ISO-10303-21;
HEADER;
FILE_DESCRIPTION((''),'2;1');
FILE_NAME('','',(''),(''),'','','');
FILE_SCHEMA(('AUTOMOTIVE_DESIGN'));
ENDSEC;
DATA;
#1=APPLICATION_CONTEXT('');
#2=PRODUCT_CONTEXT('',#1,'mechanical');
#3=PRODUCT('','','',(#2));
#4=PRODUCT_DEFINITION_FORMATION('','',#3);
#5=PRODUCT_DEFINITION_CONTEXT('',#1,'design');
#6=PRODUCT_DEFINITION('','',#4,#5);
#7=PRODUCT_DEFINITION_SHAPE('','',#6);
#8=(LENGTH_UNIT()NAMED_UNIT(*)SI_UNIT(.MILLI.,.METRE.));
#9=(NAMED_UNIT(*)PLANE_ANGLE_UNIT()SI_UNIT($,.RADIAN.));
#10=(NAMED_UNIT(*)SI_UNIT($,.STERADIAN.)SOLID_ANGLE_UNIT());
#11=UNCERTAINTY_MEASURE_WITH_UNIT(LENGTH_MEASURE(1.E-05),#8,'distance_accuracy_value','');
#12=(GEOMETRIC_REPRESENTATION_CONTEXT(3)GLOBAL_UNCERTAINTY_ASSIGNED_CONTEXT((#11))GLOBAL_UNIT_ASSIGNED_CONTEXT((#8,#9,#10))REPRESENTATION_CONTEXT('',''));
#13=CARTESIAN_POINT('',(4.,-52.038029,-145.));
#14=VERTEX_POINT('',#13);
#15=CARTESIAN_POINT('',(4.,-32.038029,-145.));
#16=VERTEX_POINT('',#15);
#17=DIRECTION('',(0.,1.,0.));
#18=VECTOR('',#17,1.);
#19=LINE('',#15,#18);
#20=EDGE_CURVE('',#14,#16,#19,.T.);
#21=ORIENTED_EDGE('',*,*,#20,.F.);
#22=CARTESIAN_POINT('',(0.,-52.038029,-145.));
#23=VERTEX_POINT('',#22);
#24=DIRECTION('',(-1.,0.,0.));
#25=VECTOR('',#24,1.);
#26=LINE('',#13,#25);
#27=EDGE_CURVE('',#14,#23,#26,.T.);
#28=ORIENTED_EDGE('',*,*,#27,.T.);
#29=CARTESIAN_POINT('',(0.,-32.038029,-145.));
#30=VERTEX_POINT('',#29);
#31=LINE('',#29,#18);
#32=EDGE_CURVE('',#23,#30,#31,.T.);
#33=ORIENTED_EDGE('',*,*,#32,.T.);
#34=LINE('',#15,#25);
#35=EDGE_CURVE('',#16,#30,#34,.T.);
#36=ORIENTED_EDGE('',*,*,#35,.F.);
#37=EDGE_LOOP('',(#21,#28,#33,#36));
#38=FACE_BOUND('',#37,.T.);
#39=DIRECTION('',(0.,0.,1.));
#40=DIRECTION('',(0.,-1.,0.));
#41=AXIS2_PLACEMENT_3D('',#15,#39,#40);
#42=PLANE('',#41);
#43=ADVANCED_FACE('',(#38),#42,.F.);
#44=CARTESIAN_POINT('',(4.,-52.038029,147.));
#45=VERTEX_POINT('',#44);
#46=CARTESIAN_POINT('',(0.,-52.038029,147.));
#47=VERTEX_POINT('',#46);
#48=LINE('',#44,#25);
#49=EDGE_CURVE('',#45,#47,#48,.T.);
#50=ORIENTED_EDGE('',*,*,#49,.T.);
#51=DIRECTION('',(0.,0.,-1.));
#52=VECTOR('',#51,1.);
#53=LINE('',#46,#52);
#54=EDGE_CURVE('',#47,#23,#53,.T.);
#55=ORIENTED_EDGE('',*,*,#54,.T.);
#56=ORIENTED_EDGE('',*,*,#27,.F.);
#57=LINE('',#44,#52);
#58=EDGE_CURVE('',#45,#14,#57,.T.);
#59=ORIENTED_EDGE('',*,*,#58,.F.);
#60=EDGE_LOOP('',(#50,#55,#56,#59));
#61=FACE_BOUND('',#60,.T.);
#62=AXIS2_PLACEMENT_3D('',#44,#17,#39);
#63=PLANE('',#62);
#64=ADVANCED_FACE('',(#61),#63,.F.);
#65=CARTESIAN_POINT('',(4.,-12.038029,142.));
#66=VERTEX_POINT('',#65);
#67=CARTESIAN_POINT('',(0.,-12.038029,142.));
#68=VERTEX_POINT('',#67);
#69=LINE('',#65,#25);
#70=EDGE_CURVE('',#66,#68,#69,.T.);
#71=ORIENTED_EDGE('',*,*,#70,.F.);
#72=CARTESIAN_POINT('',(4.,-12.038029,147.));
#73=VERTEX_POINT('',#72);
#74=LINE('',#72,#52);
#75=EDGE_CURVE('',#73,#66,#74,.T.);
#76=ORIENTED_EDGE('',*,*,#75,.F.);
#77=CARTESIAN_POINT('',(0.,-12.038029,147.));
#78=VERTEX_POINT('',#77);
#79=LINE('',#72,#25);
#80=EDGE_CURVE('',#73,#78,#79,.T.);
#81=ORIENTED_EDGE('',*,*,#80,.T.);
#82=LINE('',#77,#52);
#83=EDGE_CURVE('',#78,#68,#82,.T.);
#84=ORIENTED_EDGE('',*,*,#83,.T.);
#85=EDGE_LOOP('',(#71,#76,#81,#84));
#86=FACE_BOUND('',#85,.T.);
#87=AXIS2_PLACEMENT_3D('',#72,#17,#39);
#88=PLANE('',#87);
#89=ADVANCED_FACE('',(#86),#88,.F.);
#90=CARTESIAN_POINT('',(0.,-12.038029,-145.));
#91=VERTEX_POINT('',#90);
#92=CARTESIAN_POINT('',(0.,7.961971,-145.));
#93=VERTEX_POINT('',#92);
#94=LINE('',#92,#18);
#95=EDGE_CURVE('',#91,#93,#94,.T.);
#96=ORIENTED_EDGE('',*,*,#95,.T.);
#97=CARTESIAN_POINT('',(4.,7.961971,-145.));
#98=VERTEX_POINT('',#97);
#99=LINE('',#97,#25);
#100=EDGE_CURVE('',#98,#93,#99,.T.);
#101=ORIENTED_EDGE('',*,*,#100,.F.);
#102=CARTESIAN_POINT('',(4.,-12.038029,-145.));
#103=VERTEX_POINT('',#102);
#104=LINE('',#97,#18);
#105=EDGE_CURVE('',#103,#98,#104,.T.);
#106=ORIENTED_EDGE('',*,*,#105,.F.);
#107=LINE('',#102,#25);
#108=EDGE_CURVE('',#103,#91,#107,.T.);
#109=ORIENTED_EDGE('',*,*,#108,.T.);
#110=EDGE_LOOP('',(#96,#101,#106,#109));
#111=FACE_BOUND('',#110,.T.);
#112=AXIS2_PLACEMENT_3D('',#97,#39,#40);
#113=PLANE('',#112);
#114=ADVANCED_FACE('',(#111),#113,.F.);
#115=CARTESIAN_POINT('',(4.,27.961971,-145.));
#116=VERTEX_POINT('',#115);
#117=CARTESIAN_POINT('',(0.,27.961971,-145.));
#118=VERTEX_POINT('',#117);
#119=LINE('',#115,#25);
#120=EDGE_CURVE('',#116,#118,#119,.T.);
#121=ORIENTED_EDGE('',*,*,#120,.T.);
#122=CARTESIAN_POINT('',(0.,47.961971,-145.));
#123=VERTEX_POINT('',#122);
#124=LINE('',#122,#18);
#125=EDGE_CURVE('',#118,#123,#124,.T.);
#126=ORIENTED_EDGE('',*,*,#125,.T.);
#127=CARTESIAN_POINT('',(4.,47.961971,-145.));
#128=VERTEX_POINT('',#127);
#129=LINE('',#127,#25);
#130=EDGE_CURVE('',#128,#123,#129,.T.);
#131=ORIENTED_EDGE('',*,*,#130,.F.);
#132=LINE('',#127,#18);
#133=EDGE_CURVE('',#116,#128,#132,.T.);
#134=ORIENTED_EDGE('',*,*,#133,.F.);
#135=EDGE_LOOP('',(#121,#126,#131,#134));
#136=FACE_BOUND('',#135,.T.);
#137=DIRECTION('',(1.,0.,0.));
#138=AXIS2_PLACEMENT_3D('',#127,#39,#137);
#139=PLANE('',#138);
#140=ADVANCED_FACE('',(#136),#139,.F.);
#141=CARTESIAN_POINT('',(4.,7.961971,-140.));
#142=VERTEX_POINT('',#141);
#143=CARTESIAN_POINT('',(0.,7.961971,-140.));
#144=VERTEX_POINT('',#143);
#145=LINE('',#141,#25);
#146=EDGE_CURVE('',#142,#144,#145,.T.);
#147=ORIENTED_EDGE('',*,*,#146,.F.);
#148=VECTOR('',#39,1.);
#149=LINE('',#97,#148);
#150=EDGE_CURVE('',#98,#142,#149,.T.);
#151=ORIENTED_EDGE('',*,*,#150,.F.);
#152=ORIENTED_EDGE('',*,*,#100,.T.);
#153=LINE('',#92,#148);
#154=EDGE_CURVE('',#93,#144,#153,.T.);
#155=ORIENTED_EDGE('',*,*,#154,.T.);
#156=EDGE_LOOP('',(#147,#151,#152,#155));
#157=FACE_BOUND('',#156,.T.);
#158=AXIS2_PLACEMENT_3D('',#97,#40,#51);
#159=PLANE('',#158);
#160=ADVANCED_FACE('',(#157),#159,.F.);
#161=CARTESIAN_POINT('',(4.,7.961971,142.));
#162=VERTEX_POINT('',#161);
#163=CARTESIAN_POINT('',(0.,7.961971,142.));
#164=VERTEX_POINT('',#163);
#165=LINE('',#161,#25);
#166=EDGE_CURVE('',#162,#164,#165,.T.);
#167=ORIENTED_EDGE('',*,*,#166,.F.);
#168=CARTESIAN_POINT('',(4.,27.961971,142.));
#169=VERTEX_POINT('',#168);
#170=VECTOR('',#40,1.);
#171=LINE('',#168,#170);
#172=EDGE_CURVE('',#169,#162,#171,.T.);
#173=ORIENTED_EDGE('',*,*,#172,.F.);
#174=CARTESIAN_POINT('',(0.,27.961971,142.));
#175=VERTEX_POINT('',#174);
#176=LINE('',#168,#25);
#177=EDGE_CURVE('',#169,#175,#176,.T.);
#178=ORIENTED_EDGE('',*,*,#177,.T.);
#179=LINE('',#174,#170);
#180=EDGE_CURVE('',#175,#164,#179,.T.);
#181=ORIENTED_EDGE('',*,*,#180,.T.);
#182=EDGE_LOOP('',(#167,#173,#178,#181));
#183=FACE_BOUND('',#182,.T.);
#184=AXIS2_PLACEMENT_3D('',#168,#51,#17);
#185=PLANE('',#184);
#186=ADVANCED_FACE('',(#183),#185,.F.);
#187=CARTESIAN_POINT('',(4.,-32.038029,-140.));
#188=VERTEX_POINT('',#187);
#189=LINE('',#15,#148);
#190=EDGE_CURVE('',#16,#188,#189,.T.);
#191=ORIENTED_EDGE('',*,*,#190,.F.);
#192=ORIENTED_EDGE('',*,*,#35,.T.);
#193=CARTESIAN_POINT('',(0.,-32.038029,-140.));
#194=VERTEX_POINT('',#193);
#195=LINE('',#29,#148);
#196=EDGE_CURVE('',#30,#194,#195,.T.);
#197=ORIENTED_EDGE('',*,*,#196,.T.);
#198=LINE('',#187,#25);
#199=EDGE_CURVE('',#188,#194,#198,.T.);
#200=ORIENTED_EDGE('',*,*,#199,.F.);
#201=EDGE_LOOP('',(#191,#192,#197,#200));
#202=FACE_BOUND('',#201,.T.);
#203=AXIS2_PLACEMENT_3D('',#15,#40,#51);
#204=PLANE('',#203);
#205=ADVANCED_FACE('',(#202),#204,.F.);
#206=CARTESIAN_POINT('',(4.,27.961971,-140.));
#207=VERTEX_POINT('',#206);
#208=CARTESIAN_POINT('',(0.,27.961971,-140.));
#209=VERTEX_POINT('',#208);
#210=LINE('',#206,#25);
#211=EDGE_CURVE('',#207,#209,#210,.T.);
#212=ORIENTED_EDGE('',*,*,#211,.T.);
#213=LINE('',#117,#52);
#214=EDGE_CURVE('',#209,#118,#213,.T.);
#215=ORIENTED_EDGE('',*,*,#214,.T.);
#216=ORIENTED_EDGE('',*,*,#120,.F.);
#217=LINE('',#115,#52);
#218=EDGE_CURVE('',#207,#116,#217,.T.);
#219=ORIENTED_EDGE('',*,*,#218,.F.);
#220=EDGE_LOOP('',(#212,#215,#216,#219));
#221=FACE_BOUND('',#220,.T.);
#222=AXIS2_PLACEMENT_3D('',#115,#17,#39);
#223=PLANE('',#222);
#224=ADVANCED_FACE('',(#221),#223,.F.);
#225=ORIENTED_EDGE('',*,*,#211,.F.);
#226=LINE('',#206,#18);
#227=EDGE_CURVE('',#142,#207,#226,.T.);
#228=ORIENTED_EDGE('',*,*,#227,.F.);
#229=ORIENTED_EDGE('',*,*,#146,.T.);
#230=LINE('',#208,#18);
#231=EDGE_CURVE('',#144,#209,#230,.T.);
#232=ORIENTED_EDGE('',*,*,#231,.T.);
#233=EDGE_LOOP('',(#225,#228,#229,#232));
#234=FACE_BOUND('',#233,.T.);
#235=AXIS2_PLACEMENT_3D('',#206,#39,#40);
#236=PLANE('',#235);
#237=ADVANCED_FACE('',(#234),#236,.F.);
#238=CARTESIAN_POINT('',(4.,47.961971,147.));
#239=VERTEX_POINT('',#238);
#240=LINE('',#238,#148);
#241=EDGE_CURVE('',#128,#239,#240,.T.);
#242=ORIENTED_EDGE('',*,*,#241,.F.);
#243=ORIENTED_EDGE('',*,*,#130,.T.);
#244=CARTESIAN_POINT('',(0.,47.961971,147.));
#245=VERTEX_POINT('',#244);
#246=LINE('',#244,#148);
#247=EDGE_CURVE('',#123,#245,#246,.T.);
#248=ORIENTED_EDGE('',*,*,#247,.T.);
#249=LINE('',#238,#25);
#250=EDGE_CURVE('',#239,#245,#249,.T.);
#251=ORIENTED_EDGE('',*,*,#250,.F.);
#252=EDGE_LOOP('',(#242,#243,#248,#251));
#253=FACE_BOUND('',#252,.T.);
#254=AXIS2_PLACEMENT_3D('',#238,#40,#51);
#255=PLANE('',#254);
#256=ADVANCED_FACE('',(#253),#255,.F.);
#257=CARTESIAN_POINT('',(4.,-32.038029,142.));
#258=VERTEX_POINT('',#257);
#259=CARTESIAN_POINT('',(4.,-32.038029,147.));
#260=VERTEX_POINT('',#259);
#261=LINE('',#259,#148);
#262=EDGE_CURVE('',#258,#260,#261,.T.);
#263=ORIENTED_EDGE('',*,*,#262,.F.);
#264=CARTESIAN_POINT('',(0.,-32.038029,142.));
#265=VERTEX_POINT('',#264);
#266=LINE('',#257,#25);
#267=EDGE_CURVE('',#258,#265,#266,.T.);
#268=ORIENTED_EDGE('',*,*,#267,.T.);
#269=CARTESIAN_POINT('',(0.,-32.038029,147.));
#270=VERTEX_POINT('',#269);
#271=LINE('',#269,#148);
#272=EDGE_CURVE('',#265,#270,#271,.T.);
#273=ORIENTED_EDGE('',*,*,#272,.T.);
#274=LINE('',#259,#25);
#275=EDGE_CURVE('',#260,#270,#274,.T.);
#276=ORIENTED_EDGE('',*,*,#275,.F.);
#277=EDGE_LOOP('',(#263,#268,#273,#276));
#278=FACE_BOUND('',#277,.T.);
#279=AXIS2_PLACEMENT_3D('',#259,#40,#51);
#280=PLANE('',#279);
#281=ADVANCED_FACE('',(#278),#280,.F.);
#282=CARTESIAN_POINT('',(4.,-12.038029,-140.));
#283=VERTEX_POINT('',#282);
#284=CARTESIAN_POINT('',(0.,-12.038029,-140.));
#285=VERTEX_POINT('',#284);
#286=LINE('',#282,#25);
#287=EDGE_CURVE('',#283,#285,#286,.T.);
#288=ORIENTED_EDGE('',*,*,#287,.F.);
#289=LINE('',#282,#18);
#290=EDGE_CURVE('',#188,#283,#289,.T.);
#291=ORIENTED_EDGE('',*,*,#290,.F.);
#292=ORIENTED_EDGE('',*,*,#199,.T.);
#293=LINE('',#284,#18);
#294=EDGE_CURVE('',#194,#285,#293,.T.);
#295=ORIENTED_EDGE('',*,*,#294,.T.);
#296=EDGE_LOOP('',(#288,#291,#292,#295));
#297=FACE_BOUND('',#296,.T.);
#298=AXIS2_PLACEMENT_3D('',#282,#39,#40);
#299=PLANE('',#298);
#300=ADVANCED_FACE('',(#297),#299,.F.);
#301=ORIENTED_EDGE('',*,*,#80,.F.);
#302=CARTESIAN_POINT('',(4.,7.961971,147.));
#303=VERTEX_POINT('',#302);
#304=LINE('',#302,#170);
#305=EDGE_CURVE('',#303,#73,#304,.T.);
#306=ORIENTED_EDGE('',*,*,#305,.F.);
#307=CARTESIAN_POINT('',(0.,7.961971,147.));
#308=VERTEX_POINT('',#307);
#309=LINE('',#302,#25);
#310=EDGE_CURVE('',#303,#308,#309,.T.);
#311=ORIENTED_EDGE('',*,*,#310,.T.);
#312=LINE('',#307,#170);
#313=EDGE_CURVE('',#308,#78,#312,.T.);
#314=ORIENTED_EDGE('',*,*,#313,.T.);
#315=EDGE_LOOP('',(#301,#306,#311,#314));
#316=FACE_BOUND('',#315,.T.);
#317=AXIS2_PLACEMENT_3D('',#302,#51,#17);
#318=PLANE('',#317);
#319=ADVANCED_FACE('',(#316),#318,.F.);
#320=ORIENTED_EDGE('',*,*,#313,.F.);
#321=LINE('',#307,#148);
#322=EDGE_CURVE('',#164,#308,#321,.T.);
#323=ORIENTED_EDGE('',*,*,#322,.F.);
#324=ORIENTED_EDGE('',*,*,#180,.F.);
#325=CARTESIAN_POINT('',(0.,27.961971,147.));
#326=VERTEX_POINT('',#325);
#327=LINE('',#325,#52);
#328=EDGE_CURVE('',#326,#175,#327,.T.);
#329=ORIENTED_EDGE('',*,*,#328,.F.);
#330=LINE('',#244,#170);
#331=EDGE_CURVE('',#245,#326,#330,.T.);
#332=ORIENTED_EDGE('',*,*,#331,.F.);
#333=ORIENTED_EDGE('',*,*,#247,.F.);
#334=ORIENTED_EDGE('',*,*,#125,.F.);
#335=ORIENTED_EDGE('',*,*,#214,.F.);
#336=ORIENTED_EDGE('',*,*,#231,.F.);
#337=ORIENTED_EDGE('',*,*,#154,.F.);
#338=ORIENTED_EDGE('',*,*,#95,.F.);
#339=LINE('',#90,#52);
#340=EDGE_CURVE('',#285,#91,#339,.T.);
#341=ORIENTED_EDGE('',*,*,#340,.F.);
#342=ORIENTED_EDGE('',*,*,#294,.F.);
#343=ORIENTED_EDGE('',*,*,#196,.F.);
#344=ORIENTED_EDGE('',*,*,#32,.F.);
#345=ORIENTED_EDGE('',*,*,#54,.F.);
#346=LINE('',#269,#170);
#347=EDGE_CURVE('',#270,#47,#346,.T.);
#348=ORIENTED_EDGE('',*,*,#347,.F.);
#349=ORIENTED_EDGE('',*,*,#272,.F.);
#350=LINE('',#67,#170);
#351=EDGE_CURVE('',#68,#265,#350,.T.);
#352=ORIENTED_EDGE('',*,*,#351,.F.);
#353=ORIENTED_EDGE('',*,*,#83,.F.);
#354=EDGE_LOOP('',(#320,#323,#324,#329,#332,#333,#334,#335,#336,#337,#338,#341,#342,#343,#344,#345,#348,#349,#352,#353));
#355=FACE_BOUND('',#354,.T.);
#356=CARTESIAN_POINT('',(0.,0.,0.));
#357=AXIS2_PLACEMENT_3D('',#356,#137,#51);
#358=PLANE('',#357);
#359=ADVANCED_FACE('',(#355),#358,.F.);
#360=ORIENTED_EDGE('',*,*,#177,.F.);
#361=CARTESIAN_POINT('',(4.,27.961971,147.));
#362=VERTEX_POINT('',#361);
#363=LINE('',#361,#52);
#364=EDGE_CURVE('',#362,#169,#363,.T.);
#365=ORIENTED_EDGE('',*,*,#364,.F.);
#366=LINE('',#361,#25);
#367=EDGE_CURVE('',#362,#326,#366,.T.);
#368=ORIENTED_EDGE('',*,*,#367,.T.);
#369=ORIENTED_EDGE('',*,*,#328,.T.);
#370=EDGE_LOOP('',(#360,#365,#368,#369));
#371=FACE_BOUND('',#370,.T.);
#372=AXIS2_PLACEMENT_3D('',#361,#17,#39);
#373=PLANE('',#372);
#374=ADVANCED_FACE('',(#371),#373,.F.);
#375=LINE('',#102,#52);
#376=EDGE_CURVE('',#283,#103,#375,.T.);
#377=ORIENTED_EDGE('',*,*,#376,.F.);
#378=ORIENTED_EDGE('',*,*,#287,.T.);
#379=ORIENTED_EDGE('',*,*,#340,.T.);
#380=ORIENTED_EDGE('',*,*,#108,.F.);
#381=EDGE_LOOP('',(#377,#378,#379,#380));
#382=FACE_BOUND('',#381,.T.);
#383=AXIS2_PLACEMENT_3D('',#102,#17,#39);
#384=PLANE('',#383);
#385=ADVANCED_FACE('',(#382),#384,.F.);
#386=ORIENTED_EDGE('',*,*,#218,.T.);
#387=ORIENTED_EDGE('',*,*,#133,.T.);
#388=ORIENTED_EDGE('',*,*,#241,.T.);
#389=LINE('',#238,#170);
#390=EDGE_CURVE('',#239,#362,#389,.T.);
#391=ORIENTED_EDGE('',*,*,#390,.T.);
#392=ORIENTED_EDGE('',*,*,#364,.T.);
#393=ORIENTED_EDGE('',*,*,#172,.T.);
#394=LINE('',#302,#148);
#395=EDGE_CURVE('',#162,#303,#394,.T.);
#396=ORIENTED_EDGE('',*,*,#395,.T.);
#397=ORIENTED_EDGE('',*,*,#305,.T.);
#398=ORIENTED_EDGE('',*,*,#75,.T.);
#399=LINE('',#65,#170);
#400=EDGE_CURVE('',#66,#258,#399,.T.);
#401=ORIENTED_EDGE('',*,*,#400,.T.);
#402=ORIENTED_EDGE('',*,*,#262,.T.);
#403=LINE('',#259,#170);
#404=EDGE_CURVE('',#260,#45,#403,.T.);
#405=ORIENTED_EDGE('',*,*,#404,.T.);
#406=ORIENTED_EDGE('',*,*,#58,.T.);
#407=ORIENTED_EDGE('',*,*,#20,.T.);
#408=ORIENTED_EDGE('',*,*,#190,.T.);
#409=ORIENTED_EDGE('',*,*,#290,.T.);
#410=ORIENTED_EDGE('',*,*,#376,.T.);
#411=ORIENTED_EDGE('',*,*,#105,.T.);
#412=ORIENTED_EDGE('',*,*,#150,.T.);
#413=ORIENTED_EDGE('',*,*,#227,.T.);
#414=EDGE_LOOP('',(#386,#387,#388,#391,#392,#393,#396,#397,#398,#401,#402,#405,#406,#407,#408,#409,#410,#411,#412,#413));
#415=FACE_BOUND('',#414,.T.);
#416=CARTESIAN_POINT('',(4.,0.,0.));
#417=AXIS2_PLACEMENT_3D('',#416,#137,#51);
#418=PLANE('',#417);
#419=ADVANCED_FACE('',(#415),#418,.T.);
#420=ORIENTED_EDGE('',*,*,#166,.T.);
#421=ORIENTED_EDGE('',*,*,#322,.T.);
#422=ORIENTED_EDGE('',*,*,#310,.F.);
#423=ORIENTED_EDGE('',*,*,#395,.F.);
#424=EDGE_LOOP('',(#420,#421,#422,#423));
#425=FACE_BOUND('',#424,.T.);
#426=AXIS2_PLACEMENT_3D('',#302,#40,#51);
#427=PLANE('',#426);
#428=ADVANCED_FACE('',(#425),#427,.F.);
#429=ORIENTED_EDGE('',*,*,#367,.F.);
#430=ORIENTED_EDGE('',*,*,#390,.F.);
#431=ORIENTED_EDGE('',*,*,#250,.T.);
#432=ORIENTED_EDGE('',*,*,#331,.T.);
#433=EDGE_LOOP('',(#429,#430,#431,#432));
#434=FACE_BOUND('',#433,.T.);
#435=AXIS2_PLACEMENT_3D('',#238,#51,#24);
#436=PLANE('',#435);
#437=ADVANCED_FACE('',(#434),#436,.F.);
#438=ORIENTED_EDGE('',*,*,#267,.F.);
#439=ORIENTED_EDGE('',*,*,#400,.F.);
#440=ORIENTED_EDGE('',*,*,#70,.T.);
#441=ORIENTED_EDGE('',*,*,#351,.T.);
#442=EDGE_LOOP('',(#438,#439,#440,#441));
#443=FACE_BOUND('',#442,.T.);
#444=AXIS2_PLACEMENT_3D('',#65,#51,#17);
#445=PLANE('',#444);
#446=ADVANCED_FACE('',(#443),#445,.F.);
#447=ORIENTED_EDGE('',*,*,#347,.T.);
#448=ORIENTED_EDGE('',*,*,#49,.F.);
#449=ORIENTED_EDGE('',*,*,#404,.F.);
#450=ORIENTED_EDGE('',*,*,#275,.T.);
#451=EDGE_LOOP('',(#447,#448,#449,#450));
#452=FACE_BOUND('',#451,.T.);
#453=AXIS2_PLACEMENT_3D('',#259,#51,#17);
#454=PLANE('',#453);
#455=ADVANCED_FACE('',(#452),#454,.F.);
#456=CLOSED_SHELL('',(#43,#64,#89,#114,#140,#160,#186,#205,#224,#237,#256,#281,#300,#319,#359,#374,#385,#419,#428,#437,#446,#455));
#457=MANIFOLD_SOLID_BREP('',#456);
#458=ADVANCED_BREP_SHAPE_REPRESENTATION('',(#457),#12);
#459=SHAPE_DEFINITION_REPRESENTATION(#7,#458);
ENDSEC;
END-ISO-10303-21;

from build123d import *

# Parameters (mm, degrees)
BOSS_EXTRUDE1_DEPTH = 4


with BuildPart() as part:
    # Sketch1 → Boss-Extrude1 (new body)
    with BuildSketch(Plane(origin=(0, 0, 0), x_dir=(0, 0, -1), z_dir=(1, 0, 0))):
        Polygon((-147, 47.961970996), (145, 47.961970996), (145, 27.961970996), (140, 27.961970996), (140, 7.961970996), (145, 7.961970996), (145, -12.038029004), (140, -12.038029004), (140, -32.038029004), (145, -32.038029004), (145, -52.038029004), (-147, -52.038029004), (-147, -32.038029004), (-142, -32.038029004), (-142, -12.038029004), (-147, -12.038029004), (-147, 7.961970996), (-142, 7.961970996), (-142, 27.961970996), (-147, 27.961970996), align=None)
    extrude(amount=BOSS_EXTRUDE1_DEPTH)


solid = part.part
